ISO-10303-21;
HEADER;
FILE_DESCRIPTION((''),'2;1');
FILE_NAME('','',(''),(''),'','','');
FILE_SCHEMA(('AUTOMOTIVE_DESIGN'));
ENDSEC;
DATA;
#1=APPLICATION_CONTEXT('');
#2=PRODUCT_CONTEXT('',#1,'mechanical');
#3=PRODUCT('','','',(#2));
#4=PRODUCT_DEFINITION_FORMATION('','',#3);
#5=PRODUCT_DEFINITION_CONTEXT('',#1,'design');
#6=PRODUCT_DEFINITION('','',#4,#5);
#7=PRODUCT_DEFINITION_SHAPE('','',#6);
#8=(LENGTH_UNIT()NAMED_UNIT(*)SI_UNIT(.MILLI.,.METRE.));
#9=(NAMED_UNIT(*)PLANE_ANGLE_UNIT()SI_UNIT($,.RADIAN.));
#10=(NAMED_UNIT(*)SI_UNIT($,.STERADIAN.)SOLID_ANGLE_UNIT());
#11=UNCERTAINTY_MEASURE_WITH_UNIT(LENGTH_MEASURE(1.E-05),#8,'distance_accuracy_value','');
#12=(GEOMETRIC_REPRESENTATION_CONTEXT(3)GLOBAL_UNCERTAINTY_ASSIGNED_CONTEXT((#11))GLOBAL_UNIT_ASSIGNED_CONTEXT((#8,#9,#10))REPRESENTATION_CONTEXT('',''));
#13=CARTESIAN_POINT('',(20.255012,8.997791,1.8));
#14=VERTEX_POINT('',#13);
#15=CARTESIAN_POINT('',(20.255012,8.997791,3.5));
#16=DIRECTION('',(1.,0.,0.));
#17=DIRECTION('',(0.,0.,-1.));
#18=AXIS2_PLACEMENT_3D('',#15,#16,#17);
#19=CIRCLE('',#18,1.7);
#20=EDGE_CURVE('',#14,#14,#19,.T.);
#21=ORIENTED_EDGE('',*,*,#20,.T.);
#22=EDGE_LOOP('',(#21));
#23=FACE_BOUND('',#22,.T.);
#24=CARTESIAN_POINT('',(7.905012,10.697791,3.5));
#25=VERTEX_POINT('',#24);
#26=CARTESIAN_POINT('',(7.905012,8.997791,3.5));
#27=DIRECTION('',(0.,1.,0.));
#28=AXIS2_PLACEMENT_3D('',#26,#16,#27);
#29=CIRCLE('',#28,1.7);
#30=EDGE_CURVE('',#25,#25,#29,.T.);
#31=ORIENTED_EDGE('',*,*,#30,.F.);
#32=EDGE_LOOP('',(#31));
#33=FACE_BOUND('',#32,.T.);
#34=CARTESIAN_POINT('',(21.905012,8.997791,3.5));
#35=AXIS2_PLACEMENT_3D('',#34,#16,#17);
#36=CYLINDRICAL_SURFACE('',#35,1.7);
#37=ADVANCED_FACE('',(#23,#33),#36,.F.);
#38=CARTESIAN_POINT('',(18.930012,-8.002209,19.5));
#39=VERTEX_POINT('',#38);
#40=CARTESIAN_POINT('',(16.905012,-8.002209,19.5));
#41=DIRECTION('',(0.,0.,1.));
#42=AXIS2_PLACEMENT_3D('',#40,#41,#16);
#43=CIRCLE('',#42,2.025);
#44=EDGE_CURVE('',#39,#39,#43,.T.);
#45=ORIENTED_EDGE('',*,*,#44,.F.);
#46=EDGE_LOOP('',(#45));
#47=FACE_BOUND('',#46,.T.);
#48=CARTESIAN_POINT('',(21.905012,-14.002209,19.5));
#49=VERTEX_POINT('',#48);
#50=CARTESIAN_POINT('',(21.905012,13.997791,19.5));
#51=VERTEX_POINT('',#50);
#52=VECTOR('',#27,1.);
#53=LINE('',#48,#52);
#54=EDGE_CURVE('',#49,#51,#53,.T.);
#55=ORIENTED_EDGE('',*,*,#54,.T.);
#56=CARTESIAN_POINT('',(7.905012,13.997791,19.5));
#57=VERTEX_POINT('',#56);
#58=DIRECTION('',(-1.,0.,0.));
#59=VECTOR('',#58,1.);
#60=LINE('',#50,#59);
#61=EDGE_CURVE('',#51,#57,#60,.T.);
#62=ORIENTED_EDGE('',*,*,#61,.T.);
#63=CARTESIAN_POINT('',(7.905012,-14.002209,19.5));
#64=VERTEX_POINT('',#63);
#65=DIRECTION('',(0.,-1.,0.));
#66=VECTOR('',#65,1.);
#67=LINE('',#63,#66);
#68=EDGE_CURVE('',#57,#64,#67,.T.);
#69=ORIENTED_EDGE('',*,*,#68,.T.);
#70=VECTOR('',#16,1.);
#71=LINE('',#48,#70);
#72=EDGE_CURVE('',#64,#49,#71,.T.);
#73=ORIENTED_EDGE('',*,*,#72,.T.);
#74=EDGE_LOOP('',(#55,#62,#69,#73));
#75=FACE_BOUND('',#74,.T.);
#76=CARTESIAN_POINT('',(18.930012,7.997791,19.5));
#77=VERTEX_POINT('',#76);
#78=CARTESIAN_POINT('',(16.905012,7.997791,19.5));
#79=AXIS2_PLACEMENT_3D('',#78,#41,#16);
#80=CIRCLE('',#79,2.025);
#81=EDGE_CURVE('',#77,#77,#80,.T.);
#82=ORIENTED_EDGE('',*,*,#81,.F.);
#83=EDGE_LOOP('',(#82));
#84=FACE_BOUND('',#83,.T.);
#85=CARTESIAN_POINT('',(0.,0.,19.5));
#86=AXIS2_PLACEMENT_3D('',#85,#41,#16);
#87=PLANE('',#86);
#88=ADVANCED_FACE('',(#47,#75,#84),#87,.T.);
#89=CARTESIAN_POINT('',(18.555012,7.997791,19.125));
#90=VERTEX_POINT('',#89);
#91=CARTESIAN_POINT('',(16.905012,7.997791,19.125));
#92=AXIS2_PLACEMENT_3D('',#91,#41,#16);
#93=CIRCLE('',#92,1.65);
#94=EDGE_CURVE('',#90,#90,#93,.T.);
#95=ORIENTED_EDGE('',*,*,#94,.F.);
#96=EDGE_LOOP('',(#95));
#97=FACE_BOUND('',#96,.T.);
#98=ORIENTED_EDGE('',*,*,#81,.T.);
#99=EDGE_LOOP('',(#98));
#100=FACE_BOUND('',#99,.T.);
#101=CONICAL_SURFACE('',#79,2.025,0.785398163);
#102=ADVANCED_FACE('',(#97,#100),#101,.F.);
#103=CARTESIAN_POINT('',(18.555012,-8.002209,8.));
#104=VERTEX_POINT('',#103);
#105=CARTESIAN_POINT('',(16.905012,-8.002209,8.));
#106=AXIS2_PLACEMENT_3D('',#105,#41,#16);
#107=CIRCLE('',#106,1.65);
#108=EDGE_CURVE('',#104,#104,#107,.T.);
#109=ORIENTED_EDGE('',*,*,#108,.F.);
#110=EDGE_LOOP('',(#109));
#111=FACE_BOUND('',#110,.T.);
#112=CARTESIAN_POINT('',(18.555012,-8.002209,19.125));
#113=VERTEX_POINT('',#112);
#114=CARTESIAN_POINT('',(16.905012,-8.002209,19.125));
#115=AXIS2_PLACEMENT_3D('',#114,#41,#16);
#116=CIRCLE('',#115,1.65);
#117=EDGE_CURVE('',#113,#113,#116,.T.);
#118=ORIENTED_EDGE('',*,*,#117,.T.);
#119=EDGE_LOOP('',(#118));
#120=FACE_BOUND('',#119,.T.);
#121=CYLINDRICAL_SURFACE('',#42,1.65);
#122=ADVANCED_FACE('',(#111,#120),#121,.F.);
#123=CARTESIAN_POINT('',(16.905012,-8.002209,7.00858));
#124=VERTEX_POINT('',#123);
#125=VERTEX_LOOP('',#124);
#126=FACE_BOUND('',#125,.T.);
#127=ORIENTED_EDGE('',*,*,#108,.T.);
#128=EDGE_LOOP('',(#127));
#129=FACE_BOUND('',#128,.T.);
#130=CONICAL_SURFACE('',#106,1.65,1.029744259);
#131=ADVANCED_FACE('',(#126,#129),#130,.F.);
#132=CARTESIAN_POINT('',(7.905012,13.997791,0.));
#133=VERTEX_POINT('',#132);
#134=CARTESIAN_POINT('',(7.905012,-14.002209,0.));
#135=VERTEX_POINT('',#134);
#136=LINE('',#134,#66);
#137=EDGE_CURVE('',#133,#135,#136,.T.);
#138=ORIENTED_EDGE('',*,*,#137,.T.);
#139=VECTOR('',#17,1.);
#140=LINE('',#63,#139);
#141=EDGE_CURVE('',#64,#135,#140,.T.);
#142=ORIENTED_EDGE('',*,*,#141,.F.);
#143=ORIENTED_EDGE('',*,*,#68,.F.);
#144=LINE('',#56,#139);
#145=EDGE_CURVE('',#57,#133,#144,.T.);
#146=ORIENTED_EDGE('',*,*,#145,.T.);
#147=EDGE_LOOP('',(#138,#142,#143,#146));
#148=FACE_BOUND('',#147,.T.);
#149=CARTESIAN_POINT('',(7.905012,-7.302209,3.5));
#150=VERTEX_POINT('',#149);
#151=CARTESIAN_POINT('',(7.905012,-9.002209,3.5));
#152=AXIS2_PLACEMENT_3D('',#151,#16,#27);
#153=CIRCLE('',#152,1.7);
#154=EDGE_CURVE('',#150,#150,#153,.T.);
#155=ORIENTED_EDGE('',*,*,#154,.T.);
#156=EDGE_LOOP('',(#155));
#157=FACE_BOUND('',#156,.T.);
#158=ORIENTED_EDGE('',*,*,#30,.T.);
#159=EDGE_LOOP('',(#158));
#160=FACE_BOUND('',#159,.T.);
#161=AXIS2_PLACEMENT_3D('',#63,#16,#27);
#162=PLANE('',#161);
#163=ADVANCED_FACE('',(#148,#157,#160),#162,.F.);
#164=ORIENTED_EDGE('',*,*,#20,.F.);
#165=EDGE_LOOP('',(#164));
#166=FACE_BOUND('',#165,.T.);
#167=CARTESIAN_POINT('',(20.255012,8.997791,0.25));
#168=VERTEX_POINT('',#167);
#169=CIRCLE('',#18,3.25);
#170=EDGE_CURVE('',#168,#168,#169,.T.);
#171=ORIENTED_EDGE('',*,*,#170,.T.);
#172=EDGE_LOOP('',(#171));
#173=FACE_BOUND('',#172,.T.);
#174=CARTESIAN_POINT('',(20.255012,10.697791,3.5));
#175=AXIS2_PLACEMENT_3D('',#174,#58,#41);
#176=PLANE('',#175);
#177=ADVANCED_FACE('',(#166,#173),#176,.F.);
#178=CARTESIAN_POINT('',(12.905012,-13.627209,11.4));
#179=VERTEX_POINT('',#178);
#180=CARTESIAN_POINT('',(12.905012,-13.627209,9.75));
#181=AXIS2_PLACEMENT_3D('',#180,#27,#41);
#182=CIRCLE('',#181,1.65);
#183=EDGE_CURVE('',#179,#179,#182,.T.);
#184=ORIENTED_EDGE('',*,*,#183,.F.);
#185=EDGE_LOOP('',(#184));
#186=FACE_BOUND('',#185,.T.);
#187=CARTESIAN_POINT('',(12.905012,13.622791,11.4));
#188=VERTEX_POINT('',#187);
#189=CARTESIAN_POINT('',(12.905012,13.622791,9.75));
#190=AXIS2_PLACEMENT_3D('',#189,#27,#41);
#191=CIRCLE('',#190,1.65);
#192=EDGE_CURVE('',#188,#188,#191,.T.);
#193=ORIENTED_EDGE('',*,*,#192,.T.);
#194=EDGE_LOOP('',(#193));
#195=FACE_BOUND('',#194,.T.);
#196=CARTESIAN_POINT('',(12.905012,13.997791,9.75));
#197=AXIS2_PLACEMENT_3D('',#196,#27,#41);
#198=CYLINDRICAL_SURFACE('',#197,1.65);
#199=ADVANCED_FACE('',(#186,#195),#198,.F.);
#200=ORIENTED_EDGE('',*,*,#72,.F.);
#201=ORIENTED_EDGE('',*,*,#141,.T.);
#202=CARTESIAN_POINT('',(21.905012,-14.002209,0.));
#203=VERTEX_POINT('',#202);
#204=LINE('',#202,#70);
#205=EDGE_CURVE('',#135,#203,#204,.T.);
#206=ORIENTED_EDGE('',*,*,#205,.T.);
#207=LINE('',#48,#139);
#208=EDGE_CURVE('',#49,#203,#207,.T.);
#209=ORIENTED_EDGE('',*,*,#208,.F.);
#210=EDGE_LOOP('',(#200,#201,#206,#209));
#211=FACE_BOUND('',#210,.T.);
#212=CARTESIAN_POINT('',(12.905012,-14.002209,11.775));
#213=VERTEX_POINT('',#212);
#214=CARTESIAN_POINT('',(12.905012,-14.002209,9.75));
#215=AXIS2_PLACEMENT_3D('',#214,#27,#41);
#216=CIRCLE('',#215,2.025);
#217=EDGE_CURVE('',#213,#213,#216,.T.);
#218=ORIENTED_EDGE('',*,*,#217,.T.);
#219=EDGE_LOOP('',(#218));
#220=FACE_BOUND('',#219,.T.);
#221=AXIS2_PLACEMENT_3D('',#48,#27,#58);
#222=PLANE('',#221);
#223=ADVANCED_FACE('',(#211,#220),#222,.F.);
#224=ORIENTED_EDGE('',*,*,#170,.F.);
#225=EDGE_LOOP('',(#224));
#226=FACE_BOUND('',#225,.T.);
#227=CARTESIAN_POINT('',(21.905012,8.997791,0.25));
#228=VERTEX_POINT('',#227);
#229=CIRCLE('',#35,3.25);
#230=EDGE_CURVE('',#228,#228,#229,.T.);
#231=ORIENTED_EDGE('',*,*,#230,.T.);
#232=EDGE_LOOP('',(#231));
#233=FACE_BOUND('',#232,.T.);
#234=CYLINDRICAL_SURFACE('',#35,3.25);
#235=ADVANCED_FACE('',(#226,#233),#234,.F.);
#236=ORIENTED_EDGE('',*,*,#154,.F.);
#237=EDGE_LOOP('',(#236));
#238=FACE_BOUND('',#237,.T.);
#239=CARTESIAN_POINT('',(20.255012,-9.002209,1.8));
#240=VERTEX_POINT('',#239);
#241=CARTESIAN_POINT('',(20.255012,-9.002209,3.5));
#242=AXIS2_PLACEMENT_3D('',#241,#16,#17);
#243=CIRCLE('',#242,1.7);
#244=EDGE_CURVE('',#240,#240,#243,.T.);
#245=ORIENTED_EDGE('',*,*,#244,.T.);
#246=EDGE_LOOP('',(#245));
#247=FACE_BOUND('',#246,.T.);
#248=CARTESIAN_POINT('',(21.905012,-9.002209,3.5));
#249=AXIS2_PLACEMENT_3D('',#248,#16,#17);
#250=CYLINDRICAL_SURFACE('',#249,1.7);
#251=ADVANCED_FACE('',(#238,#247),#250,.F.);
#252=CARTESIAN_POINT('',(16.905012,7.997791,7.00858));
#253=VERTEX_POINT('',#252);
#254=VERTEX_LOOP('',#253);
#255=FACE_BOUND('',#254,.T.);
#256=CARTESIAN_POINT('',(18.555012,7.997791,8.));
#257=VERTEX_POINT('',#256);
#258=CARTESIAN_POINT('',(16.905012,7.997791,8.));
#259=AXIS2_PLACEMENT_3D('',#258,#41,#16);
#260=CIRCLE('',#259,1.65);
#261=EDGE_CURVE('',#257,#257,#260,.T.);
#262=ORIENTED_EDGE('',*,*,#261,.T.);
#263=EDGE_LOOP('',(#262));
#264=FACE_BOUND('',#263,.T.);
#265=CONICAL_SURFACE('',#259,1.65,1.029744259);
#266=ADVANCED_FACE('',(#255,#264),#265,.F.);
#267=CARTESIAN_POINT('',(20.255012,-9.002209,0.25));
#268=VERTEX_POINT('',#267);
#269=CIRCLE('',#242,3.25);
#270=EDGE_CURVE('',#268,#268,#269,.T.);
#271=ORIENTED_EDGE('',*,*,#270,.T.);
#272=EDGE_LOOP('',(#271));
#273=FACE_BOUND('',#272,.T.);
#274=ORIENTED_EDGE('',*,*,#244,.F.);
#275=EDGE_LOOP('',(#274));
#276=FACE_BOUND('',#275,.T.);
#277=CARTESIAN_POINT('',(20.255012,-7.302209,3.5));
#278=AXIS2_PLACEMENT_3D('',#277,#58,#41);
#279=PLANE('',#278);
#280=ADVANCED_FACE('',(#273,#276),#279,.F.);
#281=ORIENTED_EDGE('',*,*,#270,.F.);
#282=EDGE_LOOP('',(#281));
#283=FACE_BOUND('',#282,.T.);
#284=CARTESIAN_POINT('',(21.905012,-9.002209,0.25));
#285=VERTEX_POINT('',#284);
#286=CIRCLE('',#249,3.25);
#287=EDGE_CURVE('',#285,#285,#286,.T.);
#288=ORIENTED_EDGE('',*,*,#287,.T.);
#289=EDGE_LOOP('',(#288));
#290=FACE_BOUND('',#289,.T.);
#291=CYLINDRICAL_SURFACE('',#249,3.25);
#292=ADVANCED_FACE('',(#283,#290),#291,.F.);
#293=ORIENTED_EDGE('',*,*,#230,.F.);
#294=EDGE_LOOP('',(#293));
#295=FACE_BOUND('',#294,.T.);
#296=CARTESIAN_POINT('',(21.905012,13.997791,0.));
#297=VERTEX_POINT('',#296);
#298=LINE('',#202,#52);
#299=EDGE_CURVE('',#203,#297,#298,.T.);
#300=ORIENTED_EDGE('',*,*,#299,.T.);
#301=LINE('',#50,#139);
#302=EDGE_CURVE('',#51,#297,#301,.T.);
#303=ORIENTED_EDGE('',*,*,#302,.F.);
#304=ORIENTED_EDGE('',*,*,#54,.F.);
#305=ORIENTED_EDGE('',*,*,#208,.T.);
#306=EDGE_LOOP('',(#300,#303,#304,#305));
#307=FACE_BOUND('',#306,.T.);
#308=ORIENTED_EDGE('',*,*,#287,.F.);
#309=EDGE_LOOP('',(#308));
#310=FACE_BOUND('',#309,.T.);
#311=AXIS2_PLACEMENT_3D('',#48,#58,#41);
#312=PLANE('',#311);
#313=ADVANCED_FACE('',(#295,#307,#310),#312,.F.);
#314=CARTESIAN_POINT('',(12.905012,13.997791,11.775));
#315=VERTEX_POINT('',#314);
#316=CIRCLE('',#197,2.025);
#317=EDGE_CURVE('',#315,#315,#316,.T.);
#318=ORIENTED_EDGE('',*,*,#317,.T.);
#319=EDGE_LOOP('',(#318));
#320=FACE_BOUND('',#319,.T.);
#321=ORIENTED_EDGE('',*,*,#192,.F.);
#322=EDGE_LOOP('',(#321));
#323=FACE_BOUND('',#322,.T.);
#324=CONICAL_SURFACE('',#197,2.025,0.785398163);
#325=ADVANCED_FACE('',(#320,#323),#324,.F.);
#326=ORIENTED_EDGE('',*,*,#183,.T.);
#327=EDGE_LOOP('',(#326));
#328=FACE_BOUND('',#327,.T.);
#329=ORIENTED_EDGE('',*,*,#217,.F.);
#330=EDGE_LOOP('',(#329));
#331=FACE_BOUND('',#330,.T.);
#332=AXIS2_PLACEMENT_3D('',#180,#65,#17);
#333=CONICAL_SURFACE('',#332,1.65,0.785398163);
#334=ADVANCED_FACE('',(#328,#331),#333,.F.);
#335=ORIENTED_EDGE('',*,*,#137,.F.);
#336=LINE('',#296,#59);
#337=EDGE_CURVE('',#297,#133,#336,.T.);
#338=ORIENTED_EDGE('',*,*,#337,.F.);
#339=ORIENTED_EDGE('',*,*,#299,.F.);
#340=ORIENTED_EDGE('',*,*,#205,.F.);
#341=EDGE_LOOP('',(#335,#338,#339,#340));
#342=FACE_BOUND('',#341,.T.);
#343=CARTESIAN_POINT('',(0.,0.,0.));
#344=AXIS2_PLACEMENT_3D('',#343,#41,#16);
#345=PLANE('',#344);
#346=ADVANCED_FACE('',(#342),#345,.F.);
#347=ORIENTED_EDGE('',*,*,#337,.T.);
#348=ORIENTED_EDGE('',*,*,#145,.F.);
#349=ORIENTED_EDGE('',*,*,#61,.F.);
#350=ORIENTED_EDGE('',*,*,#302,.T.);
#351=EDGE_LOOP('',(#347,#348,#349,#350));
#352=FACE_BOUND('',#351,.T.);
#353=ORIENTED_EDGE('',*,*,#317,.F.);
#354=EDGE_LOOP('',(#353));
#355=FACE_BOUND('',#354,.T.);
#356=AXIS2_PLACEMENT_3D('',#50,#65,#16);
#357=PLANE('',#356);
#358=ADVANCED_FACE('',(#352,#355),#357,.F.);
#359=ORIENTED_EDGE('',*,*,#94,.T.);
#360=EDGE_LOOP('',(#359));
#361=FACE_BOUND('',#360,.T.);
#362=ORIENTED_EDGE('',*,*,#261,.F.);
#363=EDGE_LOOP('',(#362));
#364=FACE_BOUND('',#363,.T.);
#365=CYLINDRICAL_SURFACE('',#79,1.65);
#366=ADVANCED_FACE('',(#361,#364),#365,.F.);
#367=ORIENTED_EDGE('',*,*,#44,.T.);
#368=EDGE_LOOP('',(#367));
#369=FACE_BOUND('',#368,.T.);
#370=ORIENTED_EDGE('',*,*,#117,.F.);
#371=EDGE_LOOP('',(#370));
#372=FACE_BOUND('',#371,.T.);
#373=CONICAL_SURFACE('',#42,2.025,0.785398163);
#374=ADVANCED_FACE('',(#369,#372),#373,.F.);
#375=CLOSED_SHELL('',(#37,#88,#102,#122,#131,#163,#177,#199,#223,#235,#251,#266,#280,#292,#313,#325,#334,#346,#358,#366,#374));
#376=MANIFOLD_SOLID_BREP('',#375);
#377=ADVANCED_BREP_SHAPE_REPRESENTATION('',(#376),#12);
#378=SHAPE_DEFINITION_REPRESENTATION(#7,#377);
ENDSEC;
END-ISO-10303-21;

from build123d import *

# Parameters (mm, degrees)
ESQUISSE1_W                                      = 14
ESQUISSE1_H                                      = 28
BOSS_EXTRU_1_DEPTH                               = 19.5
CHAMBRAGE_POUR_VIS_T_TE_RONDE_6_PANS_D           = 3.4
CHAMBRAGE_POUR_VIS_T_TE_RONDE_6_PANS_CBORE_D     = 6.5
CHAMBRAGE_POUR_VIS_T_TE_RONDE_6_PANS_CBORE_DEPTH = 1.65
TROU_TARAUD_M4X0_72_D                            = 3.3
TROU_TARAUD_M4X0_72_DEPTH                        = 11.5
TROU_TARAUD_M4X0_72_CSINK_D                      = 4.05
TROU_TARAUD_M4X0_72_CSINK_ANGLE                  = 90
TROU_TARAUD_M4X0_72_TIP                          = 0.991420021


with BuildPart() as part:
    # Esquisse1 → Boss.-Extru.1 (new body)
    with BuildSketch(Plane.XY):
        with Locations((14.905012229, -0.00220912)):
            Rectangle(ESQUISSE1_W, ESQUISSE1_H)
    extrude(amount=BOSS_EXTRU_1_DEPTH)

    # Chambrage pour Vis à tête ronde à 6 pans creux M31 (through all)
    with Locations(Plane(origin=(21.905012229, 0, 0), x_dir=(0, 0, -1), z_dir=(1, 0, 0))):
        with Locations((-3.5, 8.99779088), (-3.5, -9.00220912)):
            CounterBoreHole(CHAMBRAGE_POUR_VIS_T_TE_RONDE_6_PANS_D / 2, CHAMBRAGE_POUR_VIS_T_TE_RONDE_6_PANS_CBORE_D / 2, CHAMBRAGE_POUR_VIS_T_TE_RONDE_6_PANS_CBORE_DEPTH)

    # Trou taraudé M4x0.72
    with Locations(Plane.XY.offset(19.5)):
        with Locations((16.905012229, 7.99779088), (16.905012229, -8.00220912)):
            CounterSinkHole(TROU_TARAUD_M4X0_72_D / 2, TROU_TARAUD_M4X0_72_CSINK_D / 2, depth=TROU_TARAUD_M4X0_72_DEPTH, counter_sink_angle=TROU_TARAUD_M4X0_72_CSINK_ANGLE)
            with Locations((0, 0, -(TROU_TARAUD_M4X0_72_DEPTH + TROU_TARAUD_M4X0_72_TIP / 2))):  # 118° drill point
                Cone(0, TROU_TARAUD_M4X0_72_D / 2, TROU_TARAUD_M4X0_72_TIP, mode=Mode.SUBTRACT)

    # Esquisse15 → Trou taraudé M4x0.73 (revolve, cut)
    with BuildSketch(Plane(origin=(12.905012229, 13.99779088, 9.75), x_dir=(0, 0, 1), z_dir=(1, 0, 0))):
        Polygon((0, 0), (0, 28), (2.025, 28), (1.65, 27.625), (1.65, 0.375), (2.025, 0), align=None)
    revolve(axis=Axis((12.905012229, 20.34779088, 9.75), (0, -1, 0)), mode=Mode.SUBTRACT)


solid = part.part
